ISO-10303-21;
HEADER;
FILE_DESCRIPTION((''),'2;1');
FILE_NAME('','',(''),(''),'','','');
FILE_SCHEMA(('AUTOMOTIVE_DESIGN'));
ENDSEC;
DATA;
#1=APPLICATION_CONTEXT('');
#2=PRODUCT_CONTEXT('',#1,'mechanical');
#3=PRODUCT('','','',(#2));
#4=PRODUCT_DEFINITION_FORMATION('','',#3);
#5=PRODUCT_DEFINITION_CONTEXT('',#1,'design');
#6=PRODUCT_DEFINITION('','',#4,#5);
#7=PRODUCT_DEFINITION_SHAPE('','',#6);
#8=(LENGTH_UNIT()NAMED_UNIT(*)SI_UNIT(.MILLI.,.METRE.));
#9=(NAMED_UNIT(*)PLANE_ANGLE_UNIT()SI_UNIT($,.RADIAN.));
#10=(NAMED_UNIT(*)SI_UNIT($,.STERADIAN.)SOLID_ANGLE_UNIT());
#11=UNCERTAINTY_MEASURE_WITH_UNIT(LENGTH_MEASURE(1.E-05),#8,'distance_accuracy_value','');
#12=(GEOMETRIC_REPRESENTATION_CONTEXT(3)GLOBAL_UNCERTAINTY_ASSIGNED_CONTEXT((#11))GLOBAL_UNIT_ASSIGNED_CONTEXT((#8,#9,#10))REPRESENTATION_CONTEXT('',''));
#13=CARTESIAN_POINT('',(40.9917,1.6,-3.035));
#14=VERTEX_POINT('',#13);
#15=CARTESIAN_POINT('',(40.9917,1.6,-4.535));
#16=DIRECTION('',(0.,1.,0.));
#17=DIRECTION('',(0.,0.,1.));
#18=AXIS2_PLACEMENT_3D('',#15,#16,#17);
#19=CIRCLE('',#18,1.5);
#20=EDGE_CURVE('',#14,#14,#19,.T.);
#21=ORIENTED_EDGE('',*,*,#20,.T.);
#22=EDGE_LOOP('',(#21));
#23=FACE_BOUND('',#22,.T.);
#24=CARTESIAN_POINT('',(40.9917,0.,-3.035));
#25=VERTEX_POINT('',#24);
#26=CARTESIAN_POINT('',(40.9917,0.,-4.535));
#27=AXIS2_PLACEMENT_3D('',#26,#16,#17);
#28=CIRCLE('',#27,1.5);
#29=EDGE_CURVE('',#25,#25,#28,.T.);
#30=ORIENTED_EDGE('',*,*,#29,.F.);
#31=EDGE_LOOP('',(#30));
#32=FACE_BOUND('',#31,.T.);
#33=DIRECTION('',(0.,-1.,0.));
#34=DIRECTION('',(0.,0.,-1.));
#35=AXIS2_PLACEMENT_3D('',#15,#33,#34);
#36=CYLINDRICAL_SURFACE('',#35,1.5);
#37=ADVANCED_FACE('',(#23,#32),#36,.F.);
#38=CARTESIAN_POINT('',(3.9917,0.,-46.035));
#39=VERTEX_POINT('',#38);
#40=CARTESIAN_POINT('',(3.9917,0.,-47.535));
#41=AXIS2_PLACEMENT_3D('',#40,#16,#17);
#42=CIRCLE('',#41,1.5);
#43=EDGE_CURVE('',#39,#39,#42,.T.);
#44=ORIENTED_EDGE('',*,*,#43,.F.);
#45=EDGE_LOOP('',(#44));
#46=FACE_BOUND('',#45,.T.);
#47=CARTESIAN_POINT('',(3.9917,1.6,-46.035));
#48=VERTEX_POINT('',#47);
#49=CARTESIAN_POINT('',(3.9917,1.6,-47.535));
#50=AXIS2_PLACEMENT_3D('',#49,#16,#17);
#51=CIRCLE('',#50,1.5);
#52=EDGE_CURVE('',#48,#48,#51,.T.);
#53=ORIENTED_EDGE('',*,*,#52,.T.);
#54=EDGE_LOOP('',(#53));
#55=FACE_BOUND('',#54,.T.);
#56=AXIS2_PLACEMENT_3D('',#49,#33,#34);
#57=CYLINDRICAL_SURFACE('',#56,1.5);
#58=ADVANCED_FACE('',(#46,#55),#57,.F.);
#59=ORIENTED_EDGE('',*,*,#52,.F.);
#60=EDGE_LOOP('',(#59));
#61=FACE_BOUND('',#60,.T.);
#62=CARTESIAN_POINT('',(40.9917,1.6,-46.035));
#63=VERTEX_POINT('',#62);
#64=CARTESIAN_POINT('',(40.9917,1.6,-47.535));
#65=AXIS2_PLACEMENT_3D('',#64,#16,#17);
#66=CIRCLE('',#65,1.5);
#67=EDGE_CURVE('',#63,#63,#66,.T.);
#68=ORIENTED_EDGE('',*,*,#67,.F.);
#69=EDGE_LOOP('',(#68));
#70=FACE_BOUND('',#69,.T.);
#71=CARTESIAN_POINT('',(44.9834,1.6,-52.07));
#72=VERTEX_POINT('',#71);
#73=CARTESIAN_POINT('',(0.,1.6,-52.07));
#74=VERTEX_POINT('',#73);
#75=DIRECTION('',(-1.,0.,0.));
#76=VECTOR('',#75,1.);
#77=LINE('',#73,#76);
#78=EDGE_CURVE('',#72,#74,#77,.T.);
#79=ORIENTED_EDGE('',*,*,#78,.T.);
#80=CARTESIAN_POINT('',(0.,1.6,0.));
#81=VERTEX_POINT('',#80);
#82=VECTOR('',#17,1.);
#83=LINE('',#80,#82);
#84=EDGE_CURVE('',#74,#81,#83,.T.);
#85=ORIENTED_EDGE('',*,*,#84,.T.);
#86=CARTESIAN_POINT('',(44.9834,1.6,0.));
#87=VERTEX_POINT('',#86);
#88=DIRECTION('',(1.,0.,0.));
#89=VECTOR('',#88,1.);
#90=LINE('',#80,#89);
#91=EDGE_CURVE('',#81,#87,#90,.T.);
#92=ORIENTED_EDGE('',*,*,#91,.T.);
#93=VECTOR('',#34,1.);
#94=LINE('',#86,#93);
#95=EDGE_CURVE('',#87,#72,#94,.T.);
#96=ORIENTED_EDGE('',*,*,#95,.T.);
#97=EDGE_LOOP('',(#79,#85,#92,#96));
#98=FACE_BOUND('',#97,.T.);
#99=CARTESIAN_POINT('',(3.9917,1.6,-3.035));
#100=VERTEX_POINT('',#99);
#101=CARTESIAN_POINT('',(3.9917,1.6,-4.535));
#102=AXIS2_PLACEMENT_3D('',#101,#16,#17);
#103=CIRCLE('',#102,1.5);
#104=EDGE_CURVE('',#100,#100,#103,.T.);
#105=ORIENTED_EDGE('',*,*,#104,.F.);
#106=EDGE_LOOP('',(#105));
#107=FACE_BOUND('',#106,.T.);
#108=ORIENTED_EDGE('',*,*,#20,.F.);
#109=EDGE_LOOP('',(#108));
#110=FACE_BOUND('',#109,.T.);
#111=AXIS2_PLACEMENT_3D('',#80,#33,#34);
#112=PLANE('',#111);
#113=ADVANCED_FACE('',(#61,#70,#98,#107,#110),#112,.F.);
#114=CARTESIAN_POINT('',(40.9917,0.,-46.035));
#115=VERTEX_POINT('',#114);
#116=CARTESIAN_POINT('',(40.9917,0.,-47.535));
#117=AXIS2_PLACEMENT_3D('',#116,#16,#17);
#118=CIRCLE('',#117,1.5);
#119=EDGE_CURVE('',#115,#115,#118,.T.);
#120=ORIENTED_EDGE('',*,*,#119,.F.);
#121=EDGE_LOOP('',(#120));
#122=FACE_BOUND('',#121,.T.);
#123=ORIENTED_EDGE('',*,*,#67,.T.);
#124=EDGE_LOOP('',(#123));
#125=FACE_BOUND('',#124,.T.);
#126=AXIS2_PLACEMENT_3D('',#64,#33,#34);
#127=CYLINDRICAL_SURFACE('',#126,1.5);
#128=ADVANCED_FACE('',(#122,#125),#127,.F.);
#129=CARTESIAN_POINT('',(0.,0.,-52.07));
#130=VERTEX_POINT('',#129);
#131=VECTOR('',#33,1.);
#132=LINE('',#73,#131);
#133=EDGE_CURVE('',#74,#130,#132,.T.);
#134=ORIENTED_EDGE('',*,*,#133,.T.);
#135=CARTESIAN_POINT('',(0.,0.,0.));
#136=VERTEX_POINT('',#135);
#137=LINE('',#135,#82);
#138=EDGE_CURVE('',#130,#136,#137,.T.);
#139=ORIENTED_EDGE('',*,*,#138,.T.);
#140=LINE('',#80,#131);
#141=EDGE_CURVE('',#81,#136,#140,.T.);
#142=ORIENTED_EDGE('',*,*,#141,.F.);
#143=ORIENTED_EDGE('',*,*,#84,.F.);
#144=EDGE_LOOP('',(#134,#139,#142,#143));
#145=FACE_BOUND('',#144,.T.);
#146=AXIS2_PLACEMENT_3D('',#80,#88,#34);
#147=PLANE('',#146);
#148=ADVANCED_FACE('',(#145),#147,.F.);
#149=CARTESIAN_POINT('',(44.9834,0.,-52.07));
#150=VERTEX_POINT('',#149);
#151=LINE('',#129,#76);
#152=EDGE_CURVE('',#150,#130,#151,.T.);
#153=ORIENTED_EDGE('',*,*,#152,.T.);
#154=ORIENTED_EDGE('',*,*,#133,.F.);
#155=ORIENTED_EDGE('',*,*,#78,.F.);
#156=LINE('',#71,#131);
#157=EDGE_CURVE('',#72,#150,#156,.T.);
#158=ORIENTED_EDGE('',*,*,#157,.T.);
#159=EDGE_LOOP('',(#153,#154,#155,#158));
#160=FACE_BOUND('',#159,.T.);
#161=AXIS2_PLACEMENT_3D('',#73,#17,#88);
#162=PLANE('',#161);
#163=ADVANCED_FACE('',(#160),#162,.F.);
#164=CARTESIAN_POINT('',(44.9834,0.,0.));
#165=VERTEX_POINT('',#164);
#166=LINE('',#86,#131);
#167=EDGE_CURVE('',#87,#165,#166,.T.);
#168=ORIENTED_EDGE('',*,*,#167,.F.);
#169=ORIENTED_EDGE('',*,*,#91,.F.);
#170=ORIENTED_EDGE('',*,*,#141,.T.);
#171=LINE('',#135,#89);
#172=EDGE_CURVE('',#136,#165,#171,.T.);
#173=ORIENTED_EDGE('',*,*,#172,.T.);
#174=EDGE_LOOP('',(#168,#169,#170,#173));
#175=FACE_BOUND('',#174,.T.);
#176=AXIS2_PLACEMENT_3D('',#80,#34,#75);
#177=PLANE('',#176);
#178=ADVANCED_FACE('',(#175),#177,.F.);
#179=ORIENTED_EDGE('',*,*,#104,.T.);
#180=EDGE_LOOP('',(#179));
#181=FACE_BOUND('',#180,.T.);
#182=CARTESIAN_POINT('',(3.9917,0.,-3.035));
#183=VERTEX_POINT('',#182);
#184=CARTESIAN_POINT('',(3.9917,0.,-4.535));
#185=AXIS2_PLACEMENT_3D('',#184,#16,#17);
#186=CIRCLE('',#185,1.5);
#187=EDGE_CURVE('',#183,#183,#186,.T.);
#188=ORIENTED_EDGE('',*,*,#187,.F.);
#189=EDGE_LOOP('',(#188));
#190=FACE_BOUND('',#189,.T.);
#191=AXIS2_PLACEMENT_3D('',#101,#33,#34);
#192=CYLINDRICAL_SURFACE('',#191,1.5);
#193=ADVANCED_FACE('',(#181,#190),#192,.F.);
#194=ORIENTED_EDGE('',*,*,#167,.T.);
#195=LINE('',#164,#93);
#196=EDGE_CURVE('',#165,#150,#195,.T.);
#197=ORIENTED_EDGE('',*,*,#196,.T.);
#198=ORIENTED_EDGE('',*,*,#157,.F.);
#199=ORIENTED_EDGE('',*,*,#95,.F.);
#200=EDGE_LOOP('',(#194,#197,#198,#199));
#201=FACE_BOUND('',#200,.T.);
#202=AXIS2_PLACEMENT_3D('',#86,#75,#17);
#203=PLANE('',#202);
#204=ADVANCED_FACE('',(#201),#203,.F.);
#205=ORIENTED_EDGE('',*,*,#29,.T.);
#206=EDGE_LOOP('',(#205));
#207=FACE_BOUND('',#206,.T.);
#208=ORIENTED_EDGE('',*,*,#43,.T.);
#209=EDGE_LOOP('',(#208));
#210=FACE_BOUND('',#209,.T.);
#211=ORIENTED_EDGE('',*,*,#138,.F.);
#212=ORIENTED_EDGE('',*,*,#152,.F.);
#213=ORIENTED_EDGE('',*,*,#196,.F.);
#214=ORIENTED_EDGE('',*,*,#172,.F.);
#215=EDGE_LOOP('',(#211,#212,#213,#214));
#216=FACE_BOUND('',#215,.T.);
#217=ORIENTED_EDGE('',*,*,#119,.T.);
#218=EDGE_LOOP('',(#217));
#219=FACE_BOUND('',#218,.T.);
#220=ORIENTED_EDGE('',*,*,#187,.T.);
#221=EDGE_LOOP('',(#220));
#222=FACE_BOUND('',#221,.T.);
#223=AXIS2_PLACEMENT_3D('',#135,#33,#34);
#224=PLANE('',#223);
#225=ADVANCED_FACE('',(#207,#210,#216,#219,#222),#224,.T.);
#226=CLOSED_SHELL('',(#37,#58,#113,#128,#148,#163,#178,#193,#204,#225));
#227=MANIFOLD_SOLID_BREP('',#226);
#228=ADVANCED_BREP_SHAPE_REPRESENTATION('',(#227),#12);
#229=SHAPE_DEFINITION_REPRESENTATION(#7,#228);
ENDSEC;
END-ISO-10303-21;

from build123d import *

# Parameters (mm, degrees)
SKETCH1_W           = 44.9834
SKETCH1_H           = 52.07
SKETCH1_R           = 1.5
BOSS_EXTRUDE1_DEPTH = 1.6


with BuildPart() as part:
    # Sketch1 → Boss-Extrude1 (new body)
    with BuildSketch(Plane(origin=(0, 0, 0), x_dir=(1, 0, 0), z_dir=(0, 1, 0))):
        with Locations((22.4917, 26.035)):
            Rectangle(SKETCH1_W, SKETCH1_H)
        with Locations(Location((3.9917, 47.535, 0), (0, 0, 270))):
            Circle(SKETCH1_R, mode=Mode.SUBTRACT)
        with Locations(Location((40.9917, 47.535, 0), (0, 0, 270))):
            Circle(SKETCH1_R, mode=Mode.SUBTRACT)
        with Locations(Location((40.9917, 4.535, 0), (0, 0, 270))):
            Circle(SKETCH1_R, mode=Mode.SUBTRACT)
        with Locations(Location((3.9917, 4.535, 0), (0, 0, 270))):
            Circle(SKETCH1_R, mode=Mode.SUBTRACT)
    extrude(amount=BOSS_EXTRUDE1_DEPTH)


solid = part.part
